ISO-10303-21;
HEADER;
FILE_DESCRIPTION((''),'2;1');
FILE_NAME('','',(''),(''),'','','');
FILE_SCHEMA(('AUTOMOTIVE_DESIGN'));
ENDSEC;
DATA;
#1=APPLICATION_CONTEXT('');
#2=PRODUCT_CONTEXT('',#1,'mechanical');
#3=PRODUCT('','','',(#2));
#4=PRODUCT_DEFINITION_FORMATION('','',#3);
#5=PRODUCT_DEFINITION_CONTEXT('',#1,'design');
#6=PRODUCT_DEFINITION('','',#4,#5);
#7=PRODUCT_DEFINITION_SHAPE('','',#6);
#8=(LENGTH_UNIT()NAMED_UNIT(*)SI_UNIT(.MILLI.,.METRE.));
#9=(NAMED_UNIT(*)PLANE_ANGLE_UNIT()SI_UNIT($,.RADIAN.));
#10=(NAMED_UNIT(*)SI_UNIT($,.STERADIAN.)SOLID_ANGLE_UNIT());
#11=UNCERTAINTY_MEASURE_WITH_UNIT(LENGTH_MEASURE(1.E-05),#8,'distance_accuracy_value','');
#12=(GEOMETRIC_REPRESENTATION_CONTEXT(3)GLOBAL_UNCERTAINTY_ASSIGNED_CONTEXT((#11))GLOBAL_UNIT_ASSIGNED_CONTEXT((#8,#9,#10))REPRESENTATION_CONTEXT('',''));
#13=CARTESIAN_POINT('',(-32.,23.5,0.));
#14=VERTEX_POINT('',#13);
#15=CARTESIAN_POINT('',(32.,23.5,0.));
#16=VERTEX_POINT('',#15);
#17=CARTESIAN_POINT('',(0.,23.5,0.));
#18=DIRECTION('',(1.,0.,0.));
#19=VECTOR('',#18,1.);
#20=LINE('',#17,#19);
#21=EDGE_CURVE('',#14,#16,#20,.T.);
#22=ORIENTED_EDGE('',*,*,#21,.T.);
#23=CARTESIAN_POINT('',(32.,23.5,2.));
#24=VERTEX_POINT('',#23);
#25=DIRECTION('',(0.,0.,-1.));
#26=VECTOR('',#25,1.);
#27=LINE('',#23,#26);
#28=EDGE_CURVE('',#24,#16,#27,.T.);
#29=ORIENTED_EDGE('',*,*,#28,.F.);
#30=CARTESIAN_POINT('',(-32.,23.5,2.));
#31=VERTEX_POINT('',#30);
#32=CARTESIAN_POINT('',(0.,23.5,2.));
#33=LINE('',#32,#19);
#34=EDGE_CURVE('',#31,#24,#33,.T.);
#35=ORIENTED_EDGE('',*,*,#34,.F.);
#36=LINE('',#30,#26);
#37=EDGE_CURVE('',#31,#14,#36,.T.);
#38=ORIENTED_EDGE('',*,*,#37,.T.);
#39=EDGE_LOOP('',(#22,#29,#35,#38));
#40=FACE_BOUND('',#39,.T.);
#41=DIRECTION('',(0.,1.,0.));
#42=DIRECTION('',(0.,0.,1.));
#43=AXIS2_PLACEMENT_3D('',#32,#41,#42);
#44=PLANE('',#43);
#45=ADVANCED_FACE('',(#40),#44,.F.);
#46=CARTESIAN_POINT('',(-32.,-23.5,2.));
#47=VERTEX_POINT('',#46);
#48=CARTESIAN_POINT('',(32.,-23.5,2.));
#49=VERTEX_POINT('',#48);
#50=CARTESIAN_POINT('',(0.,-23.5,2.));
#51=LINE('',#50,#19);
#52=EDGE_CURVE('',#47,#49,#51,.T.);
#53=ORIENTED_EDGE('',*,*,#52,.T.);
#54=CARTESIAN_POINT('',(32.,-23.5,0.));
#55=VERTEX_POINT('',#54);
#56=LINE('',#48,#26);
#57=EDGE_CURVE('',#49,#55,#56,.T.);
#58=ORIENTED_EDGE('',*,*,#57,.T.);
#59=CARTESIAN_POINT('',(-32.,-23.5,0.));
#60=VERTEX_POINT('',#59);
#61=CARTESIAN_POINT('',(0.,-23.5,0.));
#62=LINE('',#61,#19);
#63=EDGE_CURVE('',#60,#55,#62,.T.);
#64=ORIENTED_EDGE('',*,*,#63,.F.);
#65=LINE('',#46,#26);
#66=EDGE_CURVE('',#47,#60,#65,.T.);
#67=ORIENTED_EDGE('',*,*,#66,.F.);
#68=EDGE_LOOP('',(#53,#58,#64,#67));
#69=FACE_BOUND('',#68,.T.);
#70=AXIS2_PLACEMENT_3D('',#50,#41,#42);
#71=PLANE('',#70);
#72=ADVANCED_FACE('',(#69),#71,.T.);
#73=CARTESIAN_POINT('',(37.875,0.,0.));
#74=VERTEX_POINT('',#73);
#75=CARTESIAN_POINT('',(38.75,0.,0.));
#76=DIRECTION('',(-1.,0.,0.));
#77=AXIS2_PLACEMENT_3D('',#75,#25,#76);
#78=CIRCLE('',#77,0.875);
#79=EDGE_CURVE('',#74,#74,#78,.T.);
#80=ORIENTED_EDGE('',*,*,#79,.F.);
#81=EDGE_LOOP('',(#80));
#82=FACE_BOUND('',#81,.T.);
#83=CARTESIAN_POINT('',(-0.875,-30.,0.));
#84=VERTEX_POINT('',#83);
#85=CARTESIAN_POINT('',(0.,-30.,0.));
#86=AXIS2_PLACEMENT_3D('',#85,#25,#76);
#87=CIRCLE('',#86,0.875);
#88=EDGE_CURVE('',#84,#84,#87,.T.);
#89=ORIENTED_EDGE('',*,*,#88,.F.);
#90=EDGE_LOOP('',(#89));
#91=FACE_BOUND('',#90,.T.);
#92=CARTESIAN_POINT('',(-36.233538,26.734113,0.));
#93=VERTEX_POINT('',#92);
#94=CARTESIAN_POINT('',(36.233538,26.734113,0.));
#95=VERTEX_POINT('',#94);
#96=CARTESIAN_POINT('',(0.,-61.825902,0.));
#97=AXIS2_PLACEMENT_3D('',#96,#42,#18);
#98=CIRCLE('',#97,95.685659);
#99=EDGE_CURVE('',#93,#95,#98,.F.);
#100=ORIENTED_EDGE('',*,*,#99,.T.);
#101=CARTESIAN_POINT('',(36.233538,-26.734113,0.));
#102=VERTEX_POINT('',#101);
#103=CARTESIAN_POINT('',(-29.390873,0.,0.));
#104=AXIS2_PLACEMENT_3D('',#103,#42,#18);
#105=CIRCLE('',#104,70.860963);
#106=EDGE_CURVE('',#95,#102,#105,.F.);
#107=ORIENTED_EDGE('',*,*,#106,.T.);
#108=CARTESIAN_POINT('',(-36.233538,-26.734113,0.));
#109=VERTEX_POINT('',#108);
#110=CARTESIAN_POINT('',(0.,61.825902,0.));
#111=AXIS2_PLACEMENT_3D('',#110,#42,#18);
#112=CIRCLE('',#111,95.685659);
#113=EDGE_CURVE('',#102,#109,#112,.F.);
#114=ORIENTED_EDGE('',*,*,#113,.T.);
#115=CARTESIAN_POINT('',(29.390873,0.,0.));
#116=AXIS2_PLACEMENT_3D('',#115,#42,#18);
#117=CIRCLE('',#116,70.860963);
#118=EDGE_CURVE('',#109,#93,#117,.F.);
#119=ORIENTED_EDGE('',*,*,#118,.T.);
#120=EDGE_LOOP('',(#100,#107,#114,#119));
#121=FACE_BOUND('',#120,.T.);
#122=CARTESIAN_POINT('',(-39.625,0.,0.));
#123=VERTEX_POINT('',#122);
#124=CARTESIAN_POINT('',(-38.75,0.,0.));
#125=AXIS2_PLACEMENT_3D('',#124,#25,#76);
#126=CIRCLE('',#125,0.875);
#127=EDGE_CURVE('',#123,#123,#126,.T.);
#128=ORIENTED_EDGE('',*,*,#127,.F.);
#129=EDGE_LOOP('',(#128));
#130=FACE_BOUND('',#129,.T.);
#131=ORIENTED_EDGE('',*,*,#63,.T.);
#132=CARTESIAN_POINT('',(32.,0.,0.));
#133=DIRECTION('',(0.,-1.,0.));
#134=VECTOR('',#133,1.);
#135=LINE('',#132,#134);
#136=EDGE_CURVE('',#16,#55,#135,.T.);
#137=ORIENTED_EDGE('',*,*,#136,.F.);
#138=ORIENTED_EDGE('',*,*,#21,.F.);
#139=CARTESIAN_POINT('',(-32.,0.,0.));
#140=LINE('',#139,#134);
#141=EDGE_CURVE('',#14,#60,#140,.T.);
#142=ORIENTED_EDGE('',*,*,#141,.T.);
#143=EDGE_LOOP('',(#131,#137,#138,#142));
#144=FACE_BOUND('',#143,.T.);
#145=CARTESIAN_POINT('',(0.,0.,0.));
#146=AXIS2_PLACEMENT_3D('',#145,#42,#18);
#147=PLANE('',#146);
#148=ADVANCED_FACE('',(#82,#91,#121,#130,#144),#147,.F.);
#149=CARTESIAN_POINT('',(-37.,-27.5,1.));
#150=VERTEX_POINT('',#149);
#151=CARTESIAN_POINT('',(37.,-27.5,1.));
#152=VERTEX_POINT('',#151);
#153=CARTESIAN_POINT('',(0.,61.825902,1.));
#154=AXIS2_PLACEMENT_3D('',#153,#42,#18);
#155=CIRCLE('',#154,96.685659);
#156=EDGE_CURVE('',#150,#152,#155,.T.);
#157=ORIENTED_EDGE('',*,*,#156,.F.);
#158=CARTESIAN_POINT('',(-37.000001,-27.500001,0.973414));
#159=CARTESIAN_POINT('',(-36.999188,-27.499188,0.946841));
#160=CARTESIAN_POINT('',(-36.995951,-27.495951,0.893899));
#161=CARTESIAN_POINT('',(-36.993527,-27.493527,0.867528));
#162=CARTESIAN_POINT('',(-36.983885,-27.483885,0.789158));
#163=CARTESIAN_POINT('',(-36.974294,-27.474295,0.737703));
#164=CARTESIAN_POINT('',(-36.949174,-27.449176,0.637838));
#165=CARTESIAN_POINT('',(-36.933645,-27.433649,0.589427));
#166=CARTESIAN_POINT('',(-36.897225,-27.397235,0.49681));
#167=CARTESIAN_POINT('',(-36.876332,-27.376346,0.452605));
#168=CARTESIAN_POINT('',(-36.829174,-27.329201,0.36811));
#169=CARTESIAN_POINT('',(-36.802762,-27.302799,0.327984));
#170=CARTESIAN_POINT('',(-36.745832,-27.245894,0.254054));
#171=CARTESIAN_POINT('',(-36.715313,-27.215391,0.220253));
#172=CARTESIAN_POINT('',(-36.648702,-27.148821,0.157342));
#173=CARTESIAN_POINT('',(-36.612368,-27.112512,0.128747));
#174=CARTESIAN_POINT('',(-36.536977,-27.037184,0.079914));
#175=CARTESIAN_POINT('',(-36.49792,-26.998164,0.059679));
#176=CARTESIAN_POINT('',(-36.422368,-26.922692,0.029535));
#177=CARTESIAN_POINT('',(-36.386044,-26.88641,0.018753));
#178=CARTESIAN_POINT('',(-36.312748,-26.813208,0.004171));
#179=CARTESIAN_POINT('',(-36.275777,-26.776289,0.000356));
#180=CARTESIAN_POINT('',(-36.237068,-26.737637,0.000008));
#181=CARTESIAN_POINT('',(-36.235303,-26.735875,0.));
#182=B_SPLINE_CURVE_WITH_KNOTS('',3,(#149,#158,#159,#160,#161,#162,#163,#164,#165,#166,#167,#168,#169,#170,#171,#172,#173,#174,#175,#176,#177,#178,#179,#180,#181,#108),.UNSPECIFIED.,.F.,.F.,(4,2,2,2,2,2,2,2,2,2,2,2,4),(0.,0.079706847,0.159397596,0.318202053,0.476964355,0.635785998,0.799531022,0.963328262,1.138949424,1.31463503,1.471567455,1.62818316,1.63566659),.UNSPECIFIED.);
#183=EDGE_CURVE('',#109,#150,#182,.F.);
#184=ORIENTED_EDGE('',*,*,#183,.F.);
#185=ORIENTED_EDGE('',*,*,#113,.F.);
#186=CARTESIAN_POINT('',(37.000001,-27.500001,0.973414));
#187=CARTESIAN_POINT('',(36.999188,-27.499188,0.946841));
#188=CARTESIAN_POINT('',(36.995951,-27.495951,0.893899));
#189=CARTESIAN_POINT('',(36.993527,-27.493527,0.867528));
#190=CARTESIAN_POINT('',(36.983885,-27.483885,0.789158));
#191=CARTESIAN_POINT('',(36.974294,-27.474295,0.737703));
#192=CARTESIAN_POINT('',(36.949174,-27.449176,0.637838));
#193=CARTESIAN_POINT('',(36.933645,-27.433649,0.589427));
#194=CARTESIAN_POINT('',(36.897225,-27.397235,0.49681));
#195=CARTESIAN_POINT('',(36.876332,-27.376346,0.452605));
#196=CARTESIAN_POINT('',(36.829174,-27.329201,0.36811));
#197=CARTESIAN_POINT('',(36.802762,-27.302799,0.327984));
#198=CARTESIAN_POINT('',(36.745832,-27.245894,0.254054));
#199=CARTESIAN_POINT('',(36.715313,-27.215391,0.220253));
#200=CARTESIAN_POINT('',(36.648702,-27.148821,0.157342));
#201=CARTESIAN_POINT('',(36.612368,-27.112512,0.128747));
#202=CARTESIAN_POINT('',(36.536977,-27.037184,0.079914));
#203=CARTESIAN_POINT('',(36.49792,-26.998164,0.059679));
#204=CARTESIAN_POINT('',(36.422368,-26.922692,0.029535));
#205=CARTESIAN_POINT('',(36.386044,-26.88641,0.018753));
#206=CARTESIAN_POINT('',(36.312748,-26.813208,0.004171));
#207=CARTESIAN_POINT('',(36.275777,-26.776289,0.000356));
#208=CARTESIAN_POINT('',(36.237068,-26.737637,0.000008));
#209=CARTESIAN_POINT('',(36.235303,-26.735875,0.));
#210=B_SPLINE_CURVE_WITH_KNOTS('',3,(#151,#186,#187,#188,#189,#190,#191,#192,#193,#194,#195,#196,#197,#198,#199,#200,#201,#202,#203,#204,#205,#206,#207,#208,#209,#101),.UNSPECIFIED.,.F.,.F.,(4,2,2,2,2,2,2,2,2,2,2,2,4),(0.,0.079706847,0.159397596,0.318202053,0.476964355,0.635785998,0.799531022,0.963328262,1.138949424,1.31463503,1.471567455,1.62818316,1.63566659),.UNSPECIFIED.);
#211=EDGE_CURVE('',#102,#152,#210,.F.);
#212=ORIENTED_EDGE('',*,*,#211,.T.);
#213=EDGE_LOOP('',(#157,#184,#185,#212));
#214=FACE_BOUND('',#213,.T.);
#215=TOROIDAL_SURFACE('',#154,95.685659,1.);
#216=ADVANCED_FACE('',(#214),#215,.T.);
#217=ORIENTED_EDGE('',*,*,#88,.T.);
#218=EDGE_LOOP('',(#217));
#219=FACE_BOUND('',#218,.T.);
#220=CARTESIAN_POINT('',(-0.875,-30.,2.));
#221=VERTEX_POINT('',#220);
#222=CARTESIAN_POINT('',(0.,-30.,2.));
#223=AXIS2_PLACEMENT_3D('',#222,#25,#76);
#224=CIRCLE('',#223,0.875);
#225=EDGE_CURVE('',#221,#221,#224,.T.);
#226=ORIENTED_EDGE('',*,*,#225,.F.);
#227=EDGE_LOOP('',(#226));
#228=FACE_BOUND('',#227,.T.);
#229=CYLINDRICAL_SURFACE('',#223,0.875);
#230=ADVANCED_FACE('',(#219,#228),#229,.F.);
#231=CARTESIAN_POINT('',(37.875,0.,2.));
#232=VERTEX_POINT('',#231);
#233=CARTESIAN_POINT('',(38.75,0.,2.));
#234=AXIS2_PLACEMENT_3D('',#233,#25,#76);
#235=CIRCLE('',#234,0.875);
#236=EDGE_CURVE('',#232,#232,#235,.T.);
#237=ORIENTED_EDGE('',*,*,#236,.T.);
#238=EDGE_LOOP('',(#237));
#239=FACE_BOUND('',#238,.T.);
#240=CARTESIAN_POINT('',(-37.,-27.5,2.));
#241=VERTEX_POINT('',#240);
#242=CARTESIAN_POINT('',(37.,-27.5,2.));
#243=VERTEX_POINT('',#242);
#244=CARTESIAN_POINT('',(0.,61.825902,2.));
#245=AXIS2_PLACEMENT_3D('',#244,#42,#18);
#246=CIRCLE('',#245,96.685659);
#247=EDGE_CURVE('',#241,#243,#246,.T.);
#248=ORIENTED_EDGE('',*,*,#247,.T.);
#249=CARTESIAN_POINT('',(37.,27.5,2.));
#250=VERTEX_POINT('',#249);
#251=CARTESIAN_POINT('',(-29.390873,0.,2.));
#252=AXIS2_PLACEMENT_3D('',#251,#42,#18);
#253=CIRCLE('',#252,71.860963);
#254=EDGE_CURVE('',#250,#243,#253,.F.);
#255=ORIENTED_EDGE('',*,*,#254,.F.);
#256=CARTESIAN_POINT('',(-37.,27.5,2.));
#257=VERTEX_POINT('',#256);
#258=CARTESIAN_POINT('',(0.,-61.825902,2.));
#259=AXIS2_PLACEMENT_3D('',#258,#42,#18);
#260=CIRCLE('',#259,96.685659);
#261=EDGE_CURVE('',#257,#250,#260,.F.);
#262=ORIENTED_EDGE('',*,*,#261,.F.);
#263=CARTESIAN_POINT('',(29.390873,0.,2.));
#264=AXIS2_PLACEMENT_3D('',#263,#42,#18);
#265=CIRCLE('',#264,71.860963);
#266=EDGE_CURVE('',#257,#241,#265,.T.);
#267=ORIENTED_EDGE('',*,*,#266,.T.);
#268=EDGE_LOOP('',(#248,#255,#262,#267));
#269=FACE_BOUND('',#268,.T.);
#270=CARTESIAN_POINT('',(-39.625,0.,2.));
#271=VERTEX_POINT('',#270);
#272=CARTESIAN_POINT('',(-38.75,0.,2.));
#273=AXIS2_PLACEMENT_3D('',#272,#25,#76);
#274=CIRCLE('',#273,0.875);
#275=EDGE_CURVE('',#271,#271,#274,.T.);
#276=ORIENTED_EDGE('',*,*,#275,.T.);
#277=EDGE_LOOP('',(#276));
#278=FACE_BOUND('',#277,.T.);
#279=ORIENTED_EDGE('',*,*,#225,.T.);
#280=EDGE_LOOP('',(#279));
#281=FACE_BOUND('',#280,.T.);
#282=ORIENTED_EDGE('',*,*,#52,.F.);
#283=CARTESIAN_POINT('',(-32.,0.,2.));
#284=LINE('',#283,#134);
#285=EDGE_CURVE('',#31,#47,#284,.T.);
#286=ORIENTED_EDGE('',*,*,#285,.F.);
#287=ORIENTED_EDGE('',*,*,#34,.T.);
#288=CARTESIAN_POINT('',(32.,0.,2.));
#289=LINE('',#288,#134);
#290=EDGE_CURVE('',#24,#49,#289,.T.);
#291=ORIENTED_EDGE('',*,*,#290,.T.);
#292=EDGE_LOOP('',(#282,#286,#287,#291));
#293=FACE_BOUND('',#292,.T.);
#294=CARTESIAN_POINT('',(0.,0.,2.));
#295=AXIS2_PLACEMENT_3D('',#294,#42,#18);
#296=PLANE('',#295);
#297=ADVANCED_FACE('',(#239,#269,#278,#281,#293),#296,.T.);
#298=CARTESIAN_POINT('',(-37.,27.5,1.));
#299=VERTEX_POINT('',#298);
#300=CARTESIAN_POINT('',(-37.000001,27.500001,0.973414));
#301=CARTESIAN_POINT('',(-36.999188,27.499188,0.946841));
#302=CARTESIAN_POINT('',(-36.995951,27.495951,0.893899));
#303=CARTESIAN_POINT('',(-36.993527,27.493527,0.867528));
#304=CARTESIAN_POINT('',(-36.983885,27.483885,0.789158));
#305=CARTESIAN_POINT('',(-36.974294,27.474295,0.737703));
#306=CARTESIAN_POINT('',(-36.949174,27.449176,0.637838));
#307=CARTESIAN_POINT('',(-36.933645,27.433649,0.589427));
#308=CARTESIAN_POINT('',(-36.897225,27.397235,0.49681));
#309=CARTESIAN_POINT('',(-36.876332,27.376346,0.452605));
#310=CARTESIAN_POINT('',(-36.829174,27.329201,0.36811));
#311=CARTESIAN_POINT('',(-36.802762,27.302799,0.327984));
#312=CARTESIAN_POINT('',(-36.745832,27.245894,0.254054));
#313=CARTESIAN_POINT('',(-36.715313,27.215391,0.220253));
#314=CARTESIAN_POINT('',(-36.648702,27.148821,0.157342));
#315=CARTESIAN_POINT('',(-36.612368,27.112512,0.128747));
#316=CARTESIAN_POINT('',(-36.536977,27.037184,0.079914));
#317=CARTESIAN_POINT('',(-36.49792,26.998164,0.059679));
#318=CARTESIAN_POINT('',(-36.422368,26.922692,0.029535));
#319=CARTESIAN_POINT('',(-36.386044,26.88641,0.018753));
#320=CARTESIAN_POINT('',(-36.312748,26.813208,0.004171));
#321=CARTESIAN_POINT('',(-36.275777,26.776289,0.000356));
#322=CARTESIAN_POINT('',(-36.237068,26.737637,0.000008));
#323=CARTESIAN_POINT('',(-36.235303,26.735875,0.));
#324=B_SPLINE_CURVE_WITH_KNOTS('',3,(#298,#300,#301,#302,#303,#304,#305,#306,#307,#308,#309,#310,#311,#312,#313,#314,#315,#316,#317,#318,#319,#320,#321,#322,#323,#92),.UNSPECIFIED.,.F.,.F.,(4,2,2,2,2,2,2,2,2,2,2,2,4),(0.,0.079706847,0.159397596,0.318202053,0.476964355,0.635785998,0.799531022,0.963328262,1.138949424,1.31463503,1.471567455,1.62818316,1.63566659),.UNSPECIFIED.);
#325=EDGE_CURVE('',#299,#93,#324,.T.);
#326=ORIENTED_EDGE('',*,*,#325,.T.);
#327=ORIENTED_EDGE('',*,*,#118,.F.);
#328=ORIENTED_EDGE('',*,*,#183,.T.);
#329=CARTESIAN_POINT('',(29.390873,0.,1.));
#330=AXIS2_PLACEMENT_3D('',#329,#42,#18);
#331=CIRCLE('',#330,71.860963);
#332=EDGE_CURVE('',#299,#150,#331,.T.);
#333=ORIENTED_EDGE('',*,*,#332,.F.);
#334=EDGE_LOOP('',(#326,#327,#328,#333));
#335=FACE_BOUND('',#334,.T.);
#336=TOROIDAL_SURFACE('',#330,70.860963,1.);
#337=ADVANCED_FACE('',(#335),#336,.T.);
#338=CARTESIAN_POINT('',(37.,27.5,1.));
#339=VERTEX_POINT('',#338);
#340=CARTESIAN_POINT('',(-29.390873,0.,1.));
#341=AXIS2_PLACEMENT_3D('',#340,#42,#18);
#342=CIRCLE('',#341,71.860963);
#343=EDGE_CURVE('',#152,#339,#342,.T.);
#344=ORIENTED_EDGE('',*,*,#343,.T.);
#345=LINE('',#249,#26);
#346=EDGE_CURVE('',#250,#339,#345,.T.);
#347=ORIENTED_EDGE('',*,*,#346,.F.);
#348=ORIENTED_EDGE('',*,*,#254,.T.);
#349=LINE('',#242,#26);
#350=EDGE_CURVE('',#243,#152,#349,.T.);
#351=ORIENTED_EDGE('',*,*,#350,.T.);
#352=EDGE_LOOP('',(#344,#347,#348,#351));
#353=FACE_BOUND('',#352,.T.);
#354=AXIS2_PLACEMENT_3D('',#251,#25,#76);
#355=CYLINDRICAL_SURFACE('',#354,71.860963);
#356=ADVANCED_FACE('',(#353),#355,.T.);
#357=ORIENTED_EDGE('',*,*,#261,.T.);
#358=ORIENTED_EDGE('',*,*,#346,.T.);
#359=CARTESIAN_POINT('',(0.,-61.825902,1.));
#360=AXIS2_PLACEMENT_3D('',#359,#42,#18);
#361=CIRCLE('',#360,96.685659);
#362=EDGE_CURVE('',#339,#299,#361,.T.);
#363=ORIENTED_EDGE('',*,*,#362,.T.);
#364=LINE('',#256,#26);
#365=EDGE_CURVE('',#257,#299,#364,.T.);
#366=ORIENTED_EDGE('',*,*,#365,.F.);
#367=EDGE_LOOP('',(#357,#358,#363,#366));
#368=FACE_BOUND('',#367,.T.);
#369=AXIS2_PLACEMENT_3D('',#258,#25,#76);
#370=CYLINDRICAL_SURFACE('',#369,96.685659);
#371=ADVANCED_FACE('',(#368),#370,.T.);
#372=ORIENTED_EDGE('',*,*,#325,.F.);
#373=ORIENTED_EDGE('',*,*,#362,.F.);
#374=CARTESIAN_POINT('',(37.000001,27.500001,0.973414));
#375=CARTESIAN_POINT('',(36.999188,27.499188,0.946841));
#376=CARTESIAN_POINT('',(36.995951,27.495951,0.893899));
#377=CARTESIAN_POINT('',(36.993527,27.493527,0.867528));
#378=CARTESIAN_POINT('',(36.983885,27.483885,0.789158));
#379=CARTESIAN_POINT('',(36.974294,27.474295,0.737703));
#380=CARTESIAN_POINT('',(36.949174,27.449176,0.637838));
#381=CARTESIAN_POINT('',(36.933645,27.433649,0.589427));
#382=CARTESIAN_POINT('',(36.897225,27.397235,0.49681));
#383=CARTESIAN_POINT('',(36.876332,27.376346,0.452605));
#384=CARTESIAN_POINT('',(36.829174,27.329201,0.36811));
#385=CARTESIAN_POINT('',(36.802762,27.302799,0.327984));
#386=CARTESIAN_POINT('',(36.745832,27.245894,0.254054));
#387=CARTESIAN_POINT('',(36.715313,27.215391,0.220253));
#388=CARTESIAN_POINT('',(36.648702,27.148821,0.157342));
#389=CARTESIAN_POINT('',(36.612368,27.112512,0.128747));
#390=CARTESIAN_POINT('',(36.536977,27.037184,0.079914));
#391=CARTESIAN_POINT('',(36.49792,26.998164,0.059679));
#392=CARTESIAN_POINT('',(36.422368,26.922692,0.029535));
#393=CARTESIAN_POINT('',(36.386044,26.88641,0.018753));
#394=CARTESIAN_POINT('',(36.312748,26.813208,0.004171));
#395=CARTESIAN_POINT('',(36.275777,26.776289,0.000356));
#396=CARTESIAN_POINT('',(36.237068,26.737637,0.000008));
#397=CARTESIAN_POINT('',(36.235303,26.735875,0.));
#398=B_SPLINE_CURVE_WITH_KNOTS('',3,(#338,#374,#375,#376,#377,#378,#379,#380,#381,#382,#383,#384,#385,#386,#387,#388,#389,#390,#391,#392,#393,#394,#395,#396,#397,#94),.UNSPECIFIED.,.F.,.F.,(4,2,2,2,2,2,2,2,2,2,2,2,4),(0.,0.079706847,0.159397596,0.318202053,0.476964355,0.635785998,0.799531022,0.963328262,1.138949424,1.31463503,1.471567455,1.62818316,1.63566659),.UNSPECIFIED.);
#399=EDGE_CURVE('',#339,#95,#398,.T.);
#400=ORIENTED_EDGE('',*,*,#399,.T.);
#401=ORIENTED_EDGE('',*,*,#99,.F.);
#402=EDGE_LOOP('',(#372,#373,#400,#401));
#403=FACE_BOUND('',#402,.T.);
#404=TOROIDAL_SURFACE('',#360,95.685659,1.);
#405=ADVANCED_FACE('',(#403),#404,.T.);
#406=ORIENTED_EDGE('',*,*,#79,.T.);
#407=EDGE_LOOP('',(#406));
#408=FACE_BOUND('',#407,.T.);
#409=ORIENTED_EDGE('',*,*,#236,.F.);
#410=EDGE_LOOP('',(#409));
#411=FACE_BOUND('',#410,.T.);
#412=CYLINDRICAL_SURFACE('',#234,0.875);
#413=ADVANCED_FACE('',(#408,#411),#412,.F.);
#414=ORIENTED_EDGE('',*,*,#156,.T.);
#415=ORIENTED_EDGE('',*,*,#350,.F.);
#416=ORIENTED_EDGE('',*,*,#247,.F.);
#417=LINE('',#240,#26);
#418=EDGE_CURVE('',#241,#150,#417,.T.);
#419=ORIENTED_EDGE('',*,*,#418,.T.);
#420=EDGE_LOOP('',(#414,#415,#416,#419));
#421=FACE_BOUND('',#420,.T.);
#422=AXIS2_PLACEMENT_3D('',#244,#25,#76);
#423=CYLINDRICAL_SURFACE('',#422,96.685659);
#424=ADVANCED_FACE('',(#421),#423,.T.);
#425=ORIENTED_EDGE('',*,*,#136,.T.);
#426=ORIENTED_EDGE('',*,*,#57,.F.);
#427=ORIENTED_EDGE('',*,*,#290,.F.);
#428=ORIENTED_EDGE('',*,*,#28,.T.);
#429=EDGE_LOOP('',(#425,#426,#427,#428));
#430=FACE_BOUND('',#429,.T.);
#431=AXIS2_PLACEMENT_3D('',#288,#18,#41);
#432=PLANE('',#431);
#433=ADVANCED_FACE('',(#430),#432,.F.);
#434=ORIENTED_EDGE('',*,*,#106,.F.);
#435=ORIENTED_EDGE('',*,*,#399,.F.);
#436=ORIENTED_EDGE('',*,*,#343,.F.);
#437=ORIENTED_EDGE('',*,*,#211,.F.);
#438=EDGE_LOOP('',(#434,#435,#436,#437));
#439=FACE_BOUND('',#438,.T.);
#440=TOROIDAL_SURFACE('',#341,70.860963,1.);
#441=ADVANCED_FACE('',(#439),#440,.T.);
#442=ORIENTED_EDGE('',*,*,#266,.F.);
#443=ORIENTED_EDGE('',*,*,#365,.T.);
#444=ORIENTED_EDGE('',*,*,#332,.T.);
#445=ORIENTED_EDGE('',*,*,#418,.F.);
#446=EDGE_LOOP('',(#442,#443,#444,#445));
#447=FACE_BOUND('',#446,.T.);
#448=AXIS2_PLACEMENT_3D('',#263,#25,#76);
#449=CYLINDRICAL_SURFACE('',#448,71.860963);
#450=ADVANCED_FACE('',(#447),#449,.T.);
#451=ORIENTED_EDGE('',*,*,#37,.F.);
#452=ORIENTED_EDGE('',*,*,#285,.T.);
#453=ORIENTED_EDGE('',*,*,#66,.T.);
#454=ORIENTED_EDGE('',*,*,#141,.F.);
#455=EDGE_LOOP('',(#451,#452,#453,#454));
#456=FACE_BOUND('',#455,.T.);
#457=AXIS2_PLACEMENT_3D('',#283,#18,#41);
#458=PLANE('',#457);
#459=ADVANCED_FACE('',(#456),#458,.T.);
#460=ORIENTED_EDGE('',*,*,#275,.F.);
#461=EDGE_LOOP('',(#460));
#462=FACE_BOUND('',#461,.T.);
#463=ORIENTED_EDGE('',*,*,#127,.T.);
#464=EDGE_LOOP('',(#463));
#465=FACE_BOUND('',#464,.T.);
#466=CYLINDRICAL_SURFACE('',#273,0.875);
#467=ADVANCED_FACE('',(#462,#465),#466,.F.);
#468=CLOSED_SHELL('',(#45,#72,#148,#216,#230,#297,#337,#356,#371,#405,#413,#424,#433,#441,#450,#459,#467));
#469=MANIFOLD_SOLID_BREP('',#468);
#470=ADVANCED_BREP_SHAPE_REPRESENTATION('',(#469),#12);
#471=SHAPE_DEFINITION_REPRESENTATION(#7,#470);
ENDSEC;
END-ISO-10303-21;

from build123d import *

# Parameters (mm, degrees)
SKETCH1_W           = 64
SKETCH1_H           = 47
BOSS_EXTRUDE1_DEPTH = 2
FILLET1_R           = 1
SKETCH2_R           = 0.875
CUT_EXTRUDE1_DEPTH  = 55.981008251


with BuildPart() as part:
    # Sketch1 → Boss-Extrude1 (new body)
    # profile 1 of 2: a face of its own
    with BuildSketch(Plane.XY):
        with BuildLine():
            ThreePointArc((37, 27.5), (42.470090103, 0), (37, -27.5))
            ThreePointArc((37, -27.5), (0, -34.859757593), (-37, -27.5))
            ThreePointArc((-37, -27.5), (-42.470090103, 0), (-37, 27.5))
            ThreePointArc((-37, 27.5), (0, 34.859757593), (37, 27.5))
        make_face()
        with BuildLine():
            ThreePointArc((36, -25.5), (40.468092327, 0), (36, 25.5))
            ThreePointArc((36, 25.5), (0, 32.351769079), (-36, 25.5))
            ThreePointArc((-36, 25.5), (-40.468092327, 0), (-36, -25.5))
            ThreePointArc((-36, -25.5), (0, -32.351769079), (36, -25.5))
        make_face(mode=Mode.SUBTRACT)
    # profile 2 of 2: a face of its own
    with BuildSketch(Plane.XY):
        with BuildLine():
            ThreePointArc((36, -25.5), (0, -32.351769079), (-36, -25.5))
            ThreePointArc((-36, -25.5), (-40.468092327, 0), (-36, 25.5))
            ThreePointArc((-36, 25.5), (0, 32.351769079), (36, 25.5))
            ThreePointArc((36, 25.5), (40.468092327, 0), (36, -25.5))
        make_face()
        Rectangle(SKETCH1_W, SKETCH1_H, mode=Mode.SUBTRACT)
    extrude(amount=BOSS_EXTRUDE1_DEPTH)

    # Fillet1
    fillet1_edges = [part.edges().sort_by_distance(p)[0] for p in [
        (-42.470090103, 0, 0),
        (0, -34.859757593, 0),
        (0, 34.859757593, 0),
        (42.470090103, 0, 0),
    ]]
    fillet(fillet1_edges, radius=FILLET1_R)

    # Sketch2 → Cut-Extrude1 (cut, through all)
    with BuildSketch(Plane(origin=(0, 0, 0), x_dir=(-1, 0, 0), z_dir=(0, 0, -1))):
        with Locations((-38.75, 0)):
            Circle(SKETCH2_R)
        with Locations((0, -30)):
            Circle(SKETCH2_R)
        with Locations((38.75, 0)):
            Circle(SKETCH2_R)
    extrude(amount=-CUT_EXTRUDE1_DEPTH, mode=Mode.SUBTRACT)


solid = part.part
